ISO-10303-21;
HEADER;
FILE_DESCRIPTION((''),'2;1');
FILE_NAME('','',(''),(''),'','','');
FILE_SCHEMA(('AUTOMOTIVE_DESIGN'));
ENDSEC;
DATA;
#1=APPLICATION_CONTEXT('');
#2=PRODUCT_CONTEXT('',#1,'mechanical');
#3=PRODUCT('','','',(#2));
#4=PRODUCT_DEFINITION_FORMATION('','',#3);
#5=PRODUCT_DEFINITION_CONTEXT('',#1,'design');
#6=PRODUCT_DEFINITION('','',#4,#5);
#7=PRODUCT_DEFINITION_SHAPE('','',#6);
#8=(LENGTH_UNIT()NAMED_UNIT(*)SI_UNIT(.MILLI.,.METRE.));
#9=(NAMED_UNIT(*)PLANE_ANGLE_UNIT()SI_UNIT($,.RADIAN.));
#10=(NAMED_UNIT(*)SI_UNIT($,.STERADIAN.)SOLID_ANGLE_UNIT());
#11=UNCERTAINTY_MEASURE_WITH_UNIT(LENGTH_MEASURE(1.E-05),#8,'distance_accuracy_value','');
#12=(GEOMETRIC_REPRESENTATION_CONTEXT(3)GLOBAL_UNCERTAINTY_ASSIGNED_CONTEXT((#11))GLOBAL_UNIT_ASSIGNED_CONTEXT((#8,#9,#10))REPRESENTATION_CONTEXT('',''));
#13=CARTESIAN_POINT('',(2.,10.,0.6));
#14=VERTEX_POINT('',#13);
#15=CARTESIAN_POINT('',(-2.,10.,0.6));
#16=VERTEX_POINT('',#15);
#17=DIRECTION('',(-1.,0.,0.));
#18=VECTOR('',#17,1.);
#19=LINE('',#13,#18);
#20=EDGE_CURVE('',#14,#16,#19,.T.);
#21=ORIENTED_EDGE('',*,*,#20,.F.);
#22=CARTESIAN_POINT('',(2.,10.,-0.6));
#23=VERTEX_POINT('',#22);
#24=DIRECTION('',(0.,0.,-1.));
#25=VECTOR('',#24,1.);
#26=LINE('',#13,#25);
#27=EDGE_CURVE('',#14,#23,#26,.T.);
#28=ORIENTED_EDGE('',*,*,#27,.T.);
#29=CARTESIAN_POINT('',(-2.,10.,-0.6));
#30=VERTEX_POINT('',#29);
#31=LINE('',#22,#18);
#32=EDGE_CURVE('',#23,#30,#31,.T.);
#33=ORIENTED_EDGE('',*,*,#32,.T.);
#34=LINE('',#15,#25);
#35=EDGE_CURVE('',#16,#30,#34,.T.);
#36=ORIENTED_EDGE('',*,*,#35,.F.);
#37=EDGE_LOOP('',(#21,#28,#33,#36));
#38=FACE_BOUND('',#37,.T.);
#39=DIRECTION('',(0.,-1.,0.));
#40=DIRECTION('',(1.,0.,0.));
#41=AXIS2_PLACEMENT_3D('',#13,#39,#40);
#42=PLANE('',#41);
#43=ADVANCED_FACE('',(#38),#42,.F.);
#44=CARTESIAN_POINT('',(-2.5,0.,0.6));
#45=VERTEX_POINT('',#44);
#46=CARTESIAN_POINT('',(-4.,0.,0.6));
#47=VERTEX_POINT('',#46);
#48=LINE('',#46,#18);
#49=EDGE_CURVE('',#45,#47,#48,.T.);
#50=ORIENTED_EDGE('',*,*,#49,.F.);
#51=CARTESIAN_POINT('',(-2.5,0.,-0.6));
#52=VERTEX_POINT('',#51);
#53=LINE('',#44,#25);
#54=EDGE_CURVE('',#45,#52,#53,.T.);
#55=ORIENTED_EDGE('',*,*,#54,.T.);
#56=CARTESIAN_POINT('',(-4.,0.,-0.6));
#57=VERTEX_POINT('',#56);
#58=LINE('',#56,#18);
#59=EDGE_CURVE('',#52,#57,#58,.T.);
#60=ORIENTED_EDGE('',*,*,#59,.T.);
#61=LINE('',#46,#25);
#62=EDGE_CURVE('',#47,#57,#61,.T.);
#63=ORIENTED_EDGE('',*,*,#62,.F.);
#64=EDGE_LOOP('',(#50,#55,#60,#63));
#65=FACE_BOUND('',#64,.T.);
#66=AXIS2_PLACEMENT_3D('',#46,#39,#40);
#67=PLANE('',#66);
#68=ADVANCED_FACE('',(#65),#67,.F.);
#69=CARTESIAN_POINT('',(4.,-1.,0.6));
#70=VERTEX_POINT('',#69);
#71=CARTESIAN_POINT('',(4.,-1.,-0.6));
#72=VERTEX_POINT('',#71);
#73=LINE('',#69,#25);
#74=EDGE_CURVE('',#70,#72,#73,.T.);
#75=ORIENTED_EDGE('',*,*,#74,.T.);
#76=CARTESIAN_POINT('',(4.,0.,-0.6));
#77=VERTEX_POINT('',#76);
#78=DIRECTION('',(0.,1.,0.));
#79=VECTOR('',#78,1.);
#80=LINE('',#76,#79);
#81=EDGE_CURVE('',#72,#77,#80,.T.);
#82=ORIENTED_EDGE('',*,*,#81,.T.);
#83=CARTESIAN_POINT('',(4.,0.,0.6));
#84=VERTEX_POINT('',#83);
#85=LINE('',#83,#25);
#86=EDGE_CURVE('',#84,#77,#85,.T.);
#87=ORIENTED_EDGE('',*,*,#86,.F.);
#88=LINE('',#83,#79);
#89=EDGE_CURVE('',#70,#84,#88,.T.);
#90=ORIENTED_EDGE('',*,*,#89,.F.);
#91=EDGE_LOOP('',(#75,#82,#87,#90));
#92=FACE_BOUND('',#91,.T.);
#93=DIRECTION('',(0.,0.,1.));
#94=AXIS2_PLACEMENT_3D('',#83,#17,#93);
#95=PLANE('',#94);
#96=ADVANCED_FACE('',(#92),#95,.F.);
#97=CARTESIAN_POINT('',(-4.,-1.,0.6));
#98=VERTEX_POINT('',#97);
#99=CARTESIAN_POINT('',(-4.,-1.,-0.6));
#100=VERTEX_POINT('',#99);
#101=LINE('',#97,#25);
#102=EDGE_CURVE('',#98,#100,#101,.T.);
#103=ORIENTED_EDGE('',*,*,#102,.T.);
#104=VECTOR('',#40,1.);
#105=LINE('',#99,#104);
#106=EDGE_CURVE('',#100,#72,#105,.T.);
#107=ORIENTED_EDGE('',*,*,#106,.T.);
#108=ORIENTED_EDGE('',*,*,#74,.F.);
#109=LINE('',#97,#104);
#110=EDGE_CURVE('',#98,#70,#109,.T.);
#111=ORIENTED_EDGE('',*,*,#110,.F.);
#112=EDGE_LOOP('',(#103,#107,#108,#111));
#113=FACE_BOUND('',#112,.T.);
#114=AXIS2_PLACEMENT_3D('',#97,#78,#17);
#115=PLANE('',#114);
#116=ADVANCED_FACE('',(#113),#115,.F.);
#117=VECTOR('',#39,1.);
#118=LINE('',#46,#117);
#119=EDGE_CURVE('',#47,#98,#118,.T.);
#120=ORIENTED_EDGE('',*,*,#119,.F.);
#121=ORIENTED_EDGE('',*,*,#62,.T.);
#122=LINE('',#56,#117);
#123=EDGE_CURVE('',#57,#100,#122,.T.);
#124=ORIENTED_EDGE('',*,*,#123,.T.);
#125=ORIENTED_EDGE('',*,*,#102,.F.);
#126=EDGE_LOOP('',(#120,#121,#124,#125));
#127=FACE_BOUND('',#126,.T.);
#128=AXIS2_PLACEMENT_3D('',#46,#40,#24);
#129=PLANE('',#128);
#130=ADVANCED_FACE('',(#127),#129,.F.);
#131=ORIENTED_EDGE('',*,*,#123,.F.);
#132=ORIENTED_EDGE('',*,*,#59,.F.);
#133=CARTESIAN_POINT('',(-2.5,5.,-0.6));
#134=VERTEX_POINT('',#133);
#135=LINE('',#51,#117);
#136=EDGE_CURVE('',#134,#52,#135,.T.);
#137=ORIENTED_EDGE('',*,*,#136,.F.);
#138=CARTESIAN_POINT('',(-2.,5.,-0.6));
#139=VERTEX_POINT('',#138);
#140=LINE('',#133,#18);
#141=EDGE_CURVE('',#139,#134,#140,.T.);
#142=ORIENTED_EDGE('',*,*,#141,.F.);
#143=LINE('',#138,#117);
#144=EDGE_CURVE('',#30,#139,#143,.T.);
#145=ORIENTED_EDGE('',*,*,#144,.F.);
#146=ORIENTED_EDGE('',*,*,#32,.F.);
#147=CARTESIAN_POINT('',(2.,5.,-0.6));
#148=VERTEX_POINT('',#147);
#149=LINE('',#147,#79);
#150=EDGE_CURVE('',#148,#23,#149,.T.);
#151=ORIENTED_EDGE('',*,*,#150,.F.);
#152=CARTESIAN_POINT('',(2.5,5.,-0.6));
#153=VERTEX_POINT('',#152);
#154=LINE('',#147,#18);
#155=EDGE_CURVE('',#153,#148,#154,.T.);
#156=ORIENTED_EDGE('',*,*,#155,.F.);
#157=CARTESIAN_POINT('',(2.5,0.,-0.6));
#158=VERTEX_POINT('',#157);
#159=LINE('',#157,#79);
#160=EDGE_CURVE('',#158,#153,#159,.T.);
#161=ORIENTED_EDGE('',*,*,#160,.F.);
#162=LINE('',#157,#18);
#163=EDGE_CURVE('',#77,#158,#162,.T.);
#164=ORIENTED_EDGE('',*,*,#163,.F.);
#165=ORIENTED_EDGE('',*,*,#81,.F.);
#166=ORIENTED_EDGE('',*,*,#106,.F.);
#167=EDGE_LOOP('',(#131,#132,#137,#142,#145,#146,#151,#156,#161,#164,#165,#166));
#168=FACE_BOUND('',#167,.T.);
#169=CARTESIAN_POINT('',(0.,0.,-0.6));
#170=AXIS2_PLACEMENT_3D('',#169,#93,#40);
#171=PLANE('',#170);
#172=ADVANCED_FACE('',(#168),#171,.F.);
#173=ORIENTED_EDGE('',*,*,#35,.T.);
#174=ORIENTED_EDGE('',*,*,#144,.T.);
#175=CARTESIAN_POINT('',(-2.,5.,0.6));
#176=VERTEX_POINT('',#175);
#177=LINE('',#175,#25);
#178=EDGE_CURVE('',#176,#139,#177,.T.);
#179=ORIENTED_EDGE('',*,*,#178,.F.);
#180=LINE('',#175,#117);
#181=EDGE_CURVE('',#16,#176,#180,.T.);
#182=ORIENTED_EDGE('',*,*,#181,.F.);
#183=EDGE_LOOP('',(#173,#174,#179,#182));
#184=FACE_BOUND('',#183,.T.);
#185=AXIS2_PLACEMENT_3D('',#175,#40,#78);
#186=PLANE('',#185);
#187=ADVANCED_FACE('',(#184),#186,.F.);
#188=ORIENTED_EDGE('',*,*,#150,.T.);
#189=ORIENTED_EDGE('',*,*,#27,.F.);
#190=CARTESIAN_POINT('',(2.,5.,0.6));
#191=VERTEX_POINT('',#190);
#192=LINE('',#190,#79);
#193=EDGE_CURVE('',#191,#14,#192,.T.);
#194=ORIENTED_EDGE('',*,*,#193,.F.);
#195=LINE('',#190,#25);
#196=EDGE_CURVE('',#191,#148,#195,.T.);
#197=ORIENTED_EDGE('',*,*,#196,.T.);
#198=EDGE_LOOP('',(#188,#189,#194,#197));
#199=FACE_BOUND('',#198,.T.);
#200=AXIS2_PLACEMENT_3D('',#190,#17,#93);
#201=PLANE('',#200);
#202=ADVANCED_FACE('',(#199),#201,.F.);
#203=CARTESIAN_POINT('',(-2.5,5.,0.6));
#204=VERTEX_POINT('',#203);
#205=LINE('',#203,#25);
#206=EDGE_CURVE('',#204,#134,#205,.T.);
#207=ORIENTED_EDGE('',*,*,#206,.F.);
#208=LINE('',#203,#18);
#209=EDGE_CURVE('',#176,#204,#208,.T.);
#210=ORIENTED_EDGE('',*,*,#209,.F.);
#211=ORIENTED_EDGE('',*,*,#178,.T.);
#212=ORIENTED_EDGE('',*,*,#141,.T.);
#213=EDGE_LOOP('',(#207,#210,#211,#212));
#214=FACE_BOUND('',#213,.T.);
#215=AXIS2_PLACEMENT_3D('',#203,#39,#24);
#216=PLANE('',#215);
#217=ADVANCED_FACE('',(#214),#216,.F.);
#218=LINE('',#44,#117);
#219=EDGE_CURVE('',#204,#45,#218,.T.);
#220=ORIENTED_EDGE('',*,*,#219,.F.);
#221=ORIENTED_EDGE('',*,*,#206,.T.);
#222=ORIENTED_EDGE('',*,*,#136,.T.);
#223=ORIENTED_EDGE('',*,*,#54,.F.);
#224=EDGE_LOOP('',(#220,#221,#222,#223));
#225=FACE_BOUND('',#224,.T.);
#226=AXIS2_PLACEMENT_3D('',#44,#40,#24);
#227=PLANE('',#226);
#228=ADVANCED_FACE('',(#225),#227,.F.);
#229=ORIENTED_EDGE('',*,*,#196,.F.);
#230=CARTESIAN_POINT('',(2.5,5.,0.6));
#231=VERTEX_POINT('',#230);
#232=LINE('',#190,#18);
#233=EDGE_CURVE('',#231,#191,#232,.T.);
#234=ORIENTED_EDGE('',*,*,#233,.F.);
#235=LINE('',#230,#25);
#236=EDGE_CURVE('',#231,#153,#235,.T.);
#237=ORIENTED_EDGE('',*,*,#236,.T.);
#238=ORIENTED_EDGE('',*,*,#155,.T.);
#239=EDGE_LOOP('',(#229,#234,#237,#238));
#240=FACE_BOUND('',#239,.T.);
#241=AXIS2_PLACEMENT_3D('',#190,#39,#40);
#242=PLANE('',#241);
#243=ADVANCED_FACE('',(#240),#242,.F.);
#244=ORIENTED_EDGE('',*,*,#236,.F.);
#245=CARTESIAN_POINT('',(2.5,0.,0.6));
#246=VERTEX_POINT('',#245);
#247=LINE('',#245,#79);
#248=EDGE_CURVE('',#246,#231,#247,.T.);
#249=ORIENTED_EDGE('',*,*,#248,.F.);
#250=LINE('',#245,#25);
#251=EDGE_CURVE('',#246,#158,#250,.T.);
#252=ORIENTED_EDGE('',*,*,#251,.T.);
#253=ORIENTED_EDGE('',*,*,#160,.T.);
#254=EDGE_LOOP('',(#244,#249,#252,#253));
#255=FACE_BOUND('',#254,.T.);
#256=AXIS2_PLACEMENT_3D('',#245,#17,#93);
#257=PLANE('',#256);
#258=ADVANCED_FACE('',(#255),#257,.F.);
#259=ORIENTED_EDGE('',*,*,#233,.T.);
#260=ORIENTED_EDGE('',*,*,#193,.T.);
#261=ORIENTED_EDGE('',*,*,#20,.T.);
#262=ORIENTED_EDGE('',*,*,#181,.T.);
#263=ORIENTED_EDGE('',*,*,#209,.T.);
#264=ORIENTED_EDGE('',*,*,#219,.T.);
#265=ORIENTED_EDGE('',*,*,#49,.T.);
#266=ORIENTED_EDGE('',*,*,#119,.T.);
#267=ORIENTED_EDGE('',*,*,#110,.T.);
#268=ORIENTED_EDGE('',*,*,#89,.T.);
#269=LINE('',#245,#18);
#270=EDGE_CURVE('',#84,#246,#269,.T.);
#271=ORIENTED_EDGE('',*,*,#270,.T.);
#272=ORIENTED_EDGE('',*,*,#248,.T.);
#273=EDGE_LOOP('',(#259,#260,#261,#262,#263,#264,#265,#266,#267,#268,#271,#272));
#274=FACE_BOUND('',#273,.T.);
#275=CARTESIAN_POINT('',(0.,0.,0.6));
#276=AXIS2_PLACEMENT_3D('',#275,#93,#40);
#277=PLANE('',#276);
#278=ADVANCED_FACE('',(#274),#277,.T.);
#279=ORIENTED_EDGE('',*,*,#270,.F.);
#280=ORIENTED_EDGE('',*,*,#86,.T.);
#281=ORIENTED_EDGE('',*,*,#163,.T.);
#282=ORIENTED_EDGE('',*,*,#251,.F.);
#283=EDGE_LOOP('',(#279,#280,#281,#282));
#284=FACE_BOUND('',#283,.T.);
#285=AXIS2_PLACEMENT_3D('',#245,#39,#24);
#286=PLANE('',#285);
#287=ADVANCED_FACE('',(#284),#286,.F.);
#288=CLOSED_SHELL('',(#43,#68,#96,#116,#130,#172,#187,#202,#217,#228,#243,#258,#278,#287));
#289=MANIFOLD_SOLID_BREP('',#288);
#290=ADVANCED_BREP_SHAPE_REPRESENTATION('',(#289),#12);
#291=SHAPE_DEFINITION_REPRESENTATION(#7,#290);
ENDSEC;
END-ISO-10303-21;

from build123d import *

# Parameters (mm, degrees)
BOSS_EXTRUDE1_DEPTH = 0.6


with BuildPart() as part:
    # Sketch1 → Boss-Extrude1 (new, symmetric)
    with BuildSketch(Plane.XY):
        Polygon((-2.5, 0), (-2.5, 5), (-2, 5), (-2, 10), (2, 10), (2, 5), (2.5, 5), (2.5, 0), (4, 0), (4, -1), (-4, -1), (-4, 0), align=None)
    extrude(amount=BOSS_EXTRUDE1_DEPTH, both=True)


solid = part.part
